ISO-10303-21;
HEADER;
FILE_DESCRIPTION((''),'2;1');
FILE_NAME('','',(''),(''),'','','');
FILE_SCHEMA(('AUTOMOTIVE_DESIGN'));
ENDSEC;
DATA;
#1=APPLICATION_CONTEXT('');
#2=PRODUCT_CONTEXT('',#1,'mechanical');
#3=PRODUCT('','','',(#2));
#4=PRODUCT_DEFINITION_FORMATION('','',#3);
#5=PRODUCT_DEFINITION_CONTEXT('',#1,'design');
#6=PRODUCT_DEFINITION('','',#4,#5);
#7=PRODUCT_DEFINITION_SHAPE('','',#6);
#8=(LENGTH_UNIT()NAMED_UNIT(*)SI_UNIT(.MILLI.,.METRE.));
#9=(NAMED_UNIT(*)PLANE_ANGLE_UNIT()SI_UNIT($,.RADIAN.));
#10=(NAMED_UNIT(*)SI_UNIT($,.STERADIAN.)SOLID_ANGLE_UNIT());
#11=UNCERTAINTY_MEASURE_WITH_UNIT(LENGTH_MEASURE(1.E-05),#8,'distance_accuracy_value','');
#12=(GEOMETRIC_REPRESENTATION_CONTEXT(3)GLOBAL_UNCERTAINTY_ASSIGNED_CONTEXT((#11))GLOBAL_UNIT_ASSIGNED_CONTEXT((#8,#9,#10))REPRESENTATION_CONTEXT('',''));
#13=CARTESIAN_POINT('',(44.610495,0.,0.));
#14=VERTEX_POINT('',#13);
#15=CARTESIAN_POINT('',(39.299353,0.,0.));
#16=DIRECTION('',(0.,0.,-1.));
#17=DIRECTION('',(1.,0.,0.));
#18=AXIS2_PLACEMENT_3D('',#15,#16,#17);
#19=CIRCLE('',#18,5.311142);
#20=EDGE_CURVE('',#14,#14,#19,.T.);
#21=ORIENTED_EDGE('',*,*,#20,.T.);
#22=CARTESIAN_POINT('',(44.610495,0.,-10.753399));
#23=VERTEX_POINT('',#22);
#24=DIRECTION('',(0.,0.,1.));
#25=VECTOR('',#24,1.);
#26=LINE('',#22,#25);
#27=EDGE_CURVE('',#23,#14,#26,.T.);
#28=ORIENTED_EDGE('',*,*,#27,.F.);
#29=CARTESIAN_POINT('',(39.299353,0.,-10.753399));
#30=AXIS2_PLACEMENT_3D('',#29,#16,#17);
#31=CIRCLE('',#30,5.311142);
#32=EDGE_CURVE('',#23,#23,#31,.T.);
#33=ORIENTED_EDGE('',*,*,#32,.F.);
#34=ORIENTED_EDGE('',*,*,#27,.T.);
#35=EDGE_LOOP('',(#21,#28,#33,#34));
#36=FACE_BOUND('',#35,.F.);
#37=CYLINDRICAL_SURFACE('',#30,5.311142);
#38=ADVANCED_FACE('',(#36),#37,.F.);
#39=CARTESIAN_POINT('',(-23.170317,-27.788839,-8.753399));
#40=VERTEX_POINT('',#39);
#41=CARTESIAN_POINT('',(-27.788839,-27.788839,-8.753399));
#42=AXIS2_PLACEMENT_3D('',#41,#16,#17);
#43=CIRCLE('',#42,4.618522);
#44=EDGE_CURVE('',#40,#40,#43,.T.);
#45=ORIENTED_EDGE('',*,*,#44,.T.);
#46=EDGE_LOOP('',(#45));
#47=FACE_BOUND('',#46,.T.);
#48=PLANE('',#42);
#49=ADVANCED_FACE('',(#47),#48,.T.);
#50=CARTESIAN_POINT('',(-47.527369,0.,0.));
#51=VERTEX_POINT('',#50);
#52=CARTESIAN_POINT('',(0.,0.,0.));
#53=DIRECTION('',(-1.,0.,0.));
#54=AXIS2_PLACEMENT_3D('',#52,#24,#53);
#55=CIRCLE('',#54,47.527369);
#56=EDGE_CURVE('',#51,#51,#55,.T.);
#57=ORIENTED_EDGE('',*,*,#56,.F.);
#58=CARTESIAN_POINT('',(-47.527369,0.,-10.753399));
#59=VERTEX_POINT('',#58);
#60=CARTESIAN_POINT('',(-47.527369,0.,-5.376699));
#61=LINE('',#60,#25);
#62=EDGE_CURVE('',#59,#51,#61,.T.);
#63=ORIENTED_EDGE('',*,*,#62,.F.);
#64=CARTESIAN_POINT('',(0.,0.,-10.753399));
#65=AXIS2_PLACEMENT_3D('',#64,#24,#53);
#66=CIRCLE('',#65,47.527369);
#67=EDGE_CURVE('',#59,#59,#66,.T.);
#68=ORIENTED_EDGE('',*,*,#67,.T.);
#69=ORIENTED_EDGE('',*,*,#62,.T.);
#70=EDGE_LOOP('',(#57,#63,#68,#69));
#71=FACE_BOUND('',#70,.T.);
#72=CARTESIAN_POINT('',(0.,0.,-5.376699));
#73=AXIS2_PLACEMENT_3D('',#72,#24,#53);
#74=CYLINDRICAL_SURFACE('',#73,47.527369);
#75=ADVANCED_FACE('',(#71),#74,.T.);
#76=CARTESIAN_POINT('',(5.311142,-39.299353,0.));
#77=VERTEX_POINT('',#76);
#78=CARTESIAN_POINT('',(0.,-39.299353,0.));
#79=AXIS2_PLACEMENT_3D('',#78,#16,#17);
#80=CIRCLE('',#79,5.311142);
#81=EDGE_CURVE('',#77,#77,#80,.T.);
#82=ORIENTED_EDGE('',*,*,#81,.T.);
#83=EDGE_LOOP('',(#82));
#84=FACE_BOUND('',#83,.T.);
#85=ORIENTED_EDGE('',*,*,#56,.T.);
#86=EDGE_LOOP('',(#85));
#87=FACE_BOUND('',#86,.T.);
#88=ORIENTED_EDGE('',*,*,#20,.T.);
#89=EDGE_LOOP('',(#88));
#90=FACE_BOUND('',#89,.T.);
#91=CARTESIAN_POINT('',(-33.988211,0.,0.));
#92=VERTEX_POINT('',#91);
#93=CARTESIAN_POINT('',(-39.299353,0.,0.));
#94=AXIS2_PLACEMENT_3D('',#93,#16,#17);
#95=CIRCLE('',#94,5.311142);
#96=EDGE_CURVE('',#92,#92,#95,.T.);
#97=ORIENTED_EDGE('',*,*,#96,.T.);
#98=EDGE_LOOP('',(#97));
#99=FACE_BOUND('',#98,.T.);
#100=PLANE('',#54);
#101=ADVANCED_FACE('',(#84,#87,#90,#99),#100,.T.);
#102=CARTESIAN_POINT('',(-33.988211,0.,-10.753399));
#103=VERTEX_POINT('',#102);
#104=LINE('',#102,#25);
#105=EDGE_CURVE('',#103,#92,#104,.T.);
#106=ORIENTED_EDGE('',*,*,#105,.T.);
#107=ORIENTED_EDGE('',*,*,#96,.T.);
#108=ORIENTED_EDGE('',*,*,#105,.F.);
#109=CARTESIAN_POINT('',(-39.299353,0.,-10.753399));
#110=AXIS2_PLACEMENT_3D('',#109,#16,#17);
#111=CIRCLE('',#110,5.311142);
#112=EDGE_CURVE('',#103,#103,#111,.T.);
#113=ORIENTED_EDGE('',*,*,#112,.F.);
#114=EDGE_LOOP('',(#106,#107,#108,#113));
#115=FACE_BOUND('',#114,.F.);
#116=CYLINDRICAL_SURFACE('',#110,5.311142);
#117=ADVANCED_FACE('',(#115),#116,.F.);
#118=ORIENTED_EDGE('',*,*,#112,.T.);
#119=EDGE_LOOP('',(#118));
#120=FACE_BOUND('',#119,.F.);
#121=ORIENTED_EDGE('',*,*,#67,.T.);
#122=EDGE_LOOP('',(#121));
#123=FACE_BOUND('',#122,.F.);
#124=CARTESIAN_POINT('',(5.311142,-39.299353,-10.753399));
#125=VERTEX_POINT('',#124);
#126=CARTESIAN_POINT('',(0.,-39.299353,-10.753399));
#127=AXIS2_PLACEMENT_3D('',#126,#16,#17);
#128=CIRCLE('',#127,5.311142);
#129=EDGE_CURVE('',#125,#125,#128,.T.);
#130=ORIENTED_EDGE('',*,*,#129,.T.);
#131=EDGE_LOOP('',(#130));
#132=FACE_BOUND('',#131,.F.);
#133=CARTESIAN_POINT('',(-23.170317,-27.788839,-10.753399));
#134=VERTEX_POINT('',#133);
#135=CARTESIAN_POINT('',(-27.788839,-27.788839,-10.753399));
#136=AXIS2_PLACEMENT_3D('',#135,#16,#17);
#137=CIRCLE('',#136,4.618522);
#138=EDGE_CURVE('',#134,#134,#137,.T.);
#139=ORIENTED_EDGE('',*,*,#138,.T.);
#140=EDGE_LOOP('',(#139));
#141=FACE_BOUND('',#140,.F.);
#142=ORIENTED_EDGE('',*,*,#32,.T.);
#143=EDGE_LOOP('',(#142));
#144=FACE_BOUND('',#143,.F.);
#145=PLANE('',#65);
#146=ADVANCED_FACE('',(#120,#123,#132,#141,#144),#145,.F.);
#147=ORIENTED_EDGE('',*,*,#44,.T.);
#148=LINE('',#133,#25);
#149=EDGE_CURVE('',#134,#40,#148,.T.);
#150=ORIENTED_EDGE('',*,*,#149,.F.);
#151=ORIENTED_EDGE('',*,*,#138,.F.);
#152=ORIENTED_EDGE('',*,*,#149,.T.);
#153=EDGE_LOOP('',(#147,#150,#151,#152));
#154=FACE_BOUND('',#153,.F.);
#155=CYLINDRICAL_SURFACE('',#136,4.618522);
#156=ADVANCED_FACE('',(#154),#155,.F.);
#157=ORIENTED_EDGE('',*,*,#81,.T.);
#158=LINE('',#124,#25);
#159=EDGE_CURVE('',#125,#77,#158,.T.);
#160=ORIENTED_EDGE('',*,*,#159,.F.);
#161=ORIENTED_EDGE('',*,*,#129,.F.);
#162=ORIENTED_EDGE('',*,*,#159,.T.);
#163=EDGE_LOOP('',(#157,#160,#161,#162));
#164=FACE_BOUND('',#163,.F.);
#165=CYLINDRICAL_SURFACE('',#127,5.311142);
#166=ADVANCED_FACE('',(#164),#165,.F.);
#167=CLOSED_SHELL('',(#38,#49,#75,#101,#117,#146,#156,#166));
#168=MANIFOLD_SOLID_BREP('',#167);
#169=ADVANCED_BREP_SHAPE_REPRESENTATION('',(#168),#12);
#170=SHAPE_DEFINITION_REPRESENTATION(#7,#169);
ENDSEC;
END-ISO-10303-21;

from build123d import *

# Parameters (mm, degrees)
F0_W     = 47.5273691118
F0_H     = 10.7533988893
F2_R     = 5.3111422427
F3_DEPTH = 10.7543988893
F2_R_2   = 4.6185221062
F4_DEPTH = 2


with BuildPart() as f1:
    # F0 (on Front) → F1 (revolve)
    with BuildSketch(Plane.XZ):
        with Locations((-23.7636845559, -5.3766994447)):
            Rectangle(F0_W, F0_H)
    revolve(axis=Axis((0, 0, 11.207267642), (0, 0, 1)))

    # F2 (on face) → F3 (cut, through all)
    with BuildSketch(Plane(origin=(0, 0, -10.7533988893), x_dir=(1, 0, 0), z_dir=(0, 0, -1))):
        with Locations((-39.2993532375, 0)):
            Circle(F2_R)
        with Locations((0, 39.2993532375)):
            Circle(F2_R)
        with Locations((39.2993532375, 0)):
            Circle(F2_R)
    extrude(amount=-F3_DEPTH, mode=Mode.SUBTRACT)

    # F2 (on face) → F4 (cut)
    with BuildSketch(Plane(origin=(0, 0, -10.7533988893), x_dir=(1, 0, 0), z_dir=(0, 0, -1))):
        with Locations((-27.7888391705, 27.7888391705)):
            Circle(F2_R_2)
    extrude(amount=-F4_DEPTH, mode=Mode.SUBTRACT)


solid = f1.part
